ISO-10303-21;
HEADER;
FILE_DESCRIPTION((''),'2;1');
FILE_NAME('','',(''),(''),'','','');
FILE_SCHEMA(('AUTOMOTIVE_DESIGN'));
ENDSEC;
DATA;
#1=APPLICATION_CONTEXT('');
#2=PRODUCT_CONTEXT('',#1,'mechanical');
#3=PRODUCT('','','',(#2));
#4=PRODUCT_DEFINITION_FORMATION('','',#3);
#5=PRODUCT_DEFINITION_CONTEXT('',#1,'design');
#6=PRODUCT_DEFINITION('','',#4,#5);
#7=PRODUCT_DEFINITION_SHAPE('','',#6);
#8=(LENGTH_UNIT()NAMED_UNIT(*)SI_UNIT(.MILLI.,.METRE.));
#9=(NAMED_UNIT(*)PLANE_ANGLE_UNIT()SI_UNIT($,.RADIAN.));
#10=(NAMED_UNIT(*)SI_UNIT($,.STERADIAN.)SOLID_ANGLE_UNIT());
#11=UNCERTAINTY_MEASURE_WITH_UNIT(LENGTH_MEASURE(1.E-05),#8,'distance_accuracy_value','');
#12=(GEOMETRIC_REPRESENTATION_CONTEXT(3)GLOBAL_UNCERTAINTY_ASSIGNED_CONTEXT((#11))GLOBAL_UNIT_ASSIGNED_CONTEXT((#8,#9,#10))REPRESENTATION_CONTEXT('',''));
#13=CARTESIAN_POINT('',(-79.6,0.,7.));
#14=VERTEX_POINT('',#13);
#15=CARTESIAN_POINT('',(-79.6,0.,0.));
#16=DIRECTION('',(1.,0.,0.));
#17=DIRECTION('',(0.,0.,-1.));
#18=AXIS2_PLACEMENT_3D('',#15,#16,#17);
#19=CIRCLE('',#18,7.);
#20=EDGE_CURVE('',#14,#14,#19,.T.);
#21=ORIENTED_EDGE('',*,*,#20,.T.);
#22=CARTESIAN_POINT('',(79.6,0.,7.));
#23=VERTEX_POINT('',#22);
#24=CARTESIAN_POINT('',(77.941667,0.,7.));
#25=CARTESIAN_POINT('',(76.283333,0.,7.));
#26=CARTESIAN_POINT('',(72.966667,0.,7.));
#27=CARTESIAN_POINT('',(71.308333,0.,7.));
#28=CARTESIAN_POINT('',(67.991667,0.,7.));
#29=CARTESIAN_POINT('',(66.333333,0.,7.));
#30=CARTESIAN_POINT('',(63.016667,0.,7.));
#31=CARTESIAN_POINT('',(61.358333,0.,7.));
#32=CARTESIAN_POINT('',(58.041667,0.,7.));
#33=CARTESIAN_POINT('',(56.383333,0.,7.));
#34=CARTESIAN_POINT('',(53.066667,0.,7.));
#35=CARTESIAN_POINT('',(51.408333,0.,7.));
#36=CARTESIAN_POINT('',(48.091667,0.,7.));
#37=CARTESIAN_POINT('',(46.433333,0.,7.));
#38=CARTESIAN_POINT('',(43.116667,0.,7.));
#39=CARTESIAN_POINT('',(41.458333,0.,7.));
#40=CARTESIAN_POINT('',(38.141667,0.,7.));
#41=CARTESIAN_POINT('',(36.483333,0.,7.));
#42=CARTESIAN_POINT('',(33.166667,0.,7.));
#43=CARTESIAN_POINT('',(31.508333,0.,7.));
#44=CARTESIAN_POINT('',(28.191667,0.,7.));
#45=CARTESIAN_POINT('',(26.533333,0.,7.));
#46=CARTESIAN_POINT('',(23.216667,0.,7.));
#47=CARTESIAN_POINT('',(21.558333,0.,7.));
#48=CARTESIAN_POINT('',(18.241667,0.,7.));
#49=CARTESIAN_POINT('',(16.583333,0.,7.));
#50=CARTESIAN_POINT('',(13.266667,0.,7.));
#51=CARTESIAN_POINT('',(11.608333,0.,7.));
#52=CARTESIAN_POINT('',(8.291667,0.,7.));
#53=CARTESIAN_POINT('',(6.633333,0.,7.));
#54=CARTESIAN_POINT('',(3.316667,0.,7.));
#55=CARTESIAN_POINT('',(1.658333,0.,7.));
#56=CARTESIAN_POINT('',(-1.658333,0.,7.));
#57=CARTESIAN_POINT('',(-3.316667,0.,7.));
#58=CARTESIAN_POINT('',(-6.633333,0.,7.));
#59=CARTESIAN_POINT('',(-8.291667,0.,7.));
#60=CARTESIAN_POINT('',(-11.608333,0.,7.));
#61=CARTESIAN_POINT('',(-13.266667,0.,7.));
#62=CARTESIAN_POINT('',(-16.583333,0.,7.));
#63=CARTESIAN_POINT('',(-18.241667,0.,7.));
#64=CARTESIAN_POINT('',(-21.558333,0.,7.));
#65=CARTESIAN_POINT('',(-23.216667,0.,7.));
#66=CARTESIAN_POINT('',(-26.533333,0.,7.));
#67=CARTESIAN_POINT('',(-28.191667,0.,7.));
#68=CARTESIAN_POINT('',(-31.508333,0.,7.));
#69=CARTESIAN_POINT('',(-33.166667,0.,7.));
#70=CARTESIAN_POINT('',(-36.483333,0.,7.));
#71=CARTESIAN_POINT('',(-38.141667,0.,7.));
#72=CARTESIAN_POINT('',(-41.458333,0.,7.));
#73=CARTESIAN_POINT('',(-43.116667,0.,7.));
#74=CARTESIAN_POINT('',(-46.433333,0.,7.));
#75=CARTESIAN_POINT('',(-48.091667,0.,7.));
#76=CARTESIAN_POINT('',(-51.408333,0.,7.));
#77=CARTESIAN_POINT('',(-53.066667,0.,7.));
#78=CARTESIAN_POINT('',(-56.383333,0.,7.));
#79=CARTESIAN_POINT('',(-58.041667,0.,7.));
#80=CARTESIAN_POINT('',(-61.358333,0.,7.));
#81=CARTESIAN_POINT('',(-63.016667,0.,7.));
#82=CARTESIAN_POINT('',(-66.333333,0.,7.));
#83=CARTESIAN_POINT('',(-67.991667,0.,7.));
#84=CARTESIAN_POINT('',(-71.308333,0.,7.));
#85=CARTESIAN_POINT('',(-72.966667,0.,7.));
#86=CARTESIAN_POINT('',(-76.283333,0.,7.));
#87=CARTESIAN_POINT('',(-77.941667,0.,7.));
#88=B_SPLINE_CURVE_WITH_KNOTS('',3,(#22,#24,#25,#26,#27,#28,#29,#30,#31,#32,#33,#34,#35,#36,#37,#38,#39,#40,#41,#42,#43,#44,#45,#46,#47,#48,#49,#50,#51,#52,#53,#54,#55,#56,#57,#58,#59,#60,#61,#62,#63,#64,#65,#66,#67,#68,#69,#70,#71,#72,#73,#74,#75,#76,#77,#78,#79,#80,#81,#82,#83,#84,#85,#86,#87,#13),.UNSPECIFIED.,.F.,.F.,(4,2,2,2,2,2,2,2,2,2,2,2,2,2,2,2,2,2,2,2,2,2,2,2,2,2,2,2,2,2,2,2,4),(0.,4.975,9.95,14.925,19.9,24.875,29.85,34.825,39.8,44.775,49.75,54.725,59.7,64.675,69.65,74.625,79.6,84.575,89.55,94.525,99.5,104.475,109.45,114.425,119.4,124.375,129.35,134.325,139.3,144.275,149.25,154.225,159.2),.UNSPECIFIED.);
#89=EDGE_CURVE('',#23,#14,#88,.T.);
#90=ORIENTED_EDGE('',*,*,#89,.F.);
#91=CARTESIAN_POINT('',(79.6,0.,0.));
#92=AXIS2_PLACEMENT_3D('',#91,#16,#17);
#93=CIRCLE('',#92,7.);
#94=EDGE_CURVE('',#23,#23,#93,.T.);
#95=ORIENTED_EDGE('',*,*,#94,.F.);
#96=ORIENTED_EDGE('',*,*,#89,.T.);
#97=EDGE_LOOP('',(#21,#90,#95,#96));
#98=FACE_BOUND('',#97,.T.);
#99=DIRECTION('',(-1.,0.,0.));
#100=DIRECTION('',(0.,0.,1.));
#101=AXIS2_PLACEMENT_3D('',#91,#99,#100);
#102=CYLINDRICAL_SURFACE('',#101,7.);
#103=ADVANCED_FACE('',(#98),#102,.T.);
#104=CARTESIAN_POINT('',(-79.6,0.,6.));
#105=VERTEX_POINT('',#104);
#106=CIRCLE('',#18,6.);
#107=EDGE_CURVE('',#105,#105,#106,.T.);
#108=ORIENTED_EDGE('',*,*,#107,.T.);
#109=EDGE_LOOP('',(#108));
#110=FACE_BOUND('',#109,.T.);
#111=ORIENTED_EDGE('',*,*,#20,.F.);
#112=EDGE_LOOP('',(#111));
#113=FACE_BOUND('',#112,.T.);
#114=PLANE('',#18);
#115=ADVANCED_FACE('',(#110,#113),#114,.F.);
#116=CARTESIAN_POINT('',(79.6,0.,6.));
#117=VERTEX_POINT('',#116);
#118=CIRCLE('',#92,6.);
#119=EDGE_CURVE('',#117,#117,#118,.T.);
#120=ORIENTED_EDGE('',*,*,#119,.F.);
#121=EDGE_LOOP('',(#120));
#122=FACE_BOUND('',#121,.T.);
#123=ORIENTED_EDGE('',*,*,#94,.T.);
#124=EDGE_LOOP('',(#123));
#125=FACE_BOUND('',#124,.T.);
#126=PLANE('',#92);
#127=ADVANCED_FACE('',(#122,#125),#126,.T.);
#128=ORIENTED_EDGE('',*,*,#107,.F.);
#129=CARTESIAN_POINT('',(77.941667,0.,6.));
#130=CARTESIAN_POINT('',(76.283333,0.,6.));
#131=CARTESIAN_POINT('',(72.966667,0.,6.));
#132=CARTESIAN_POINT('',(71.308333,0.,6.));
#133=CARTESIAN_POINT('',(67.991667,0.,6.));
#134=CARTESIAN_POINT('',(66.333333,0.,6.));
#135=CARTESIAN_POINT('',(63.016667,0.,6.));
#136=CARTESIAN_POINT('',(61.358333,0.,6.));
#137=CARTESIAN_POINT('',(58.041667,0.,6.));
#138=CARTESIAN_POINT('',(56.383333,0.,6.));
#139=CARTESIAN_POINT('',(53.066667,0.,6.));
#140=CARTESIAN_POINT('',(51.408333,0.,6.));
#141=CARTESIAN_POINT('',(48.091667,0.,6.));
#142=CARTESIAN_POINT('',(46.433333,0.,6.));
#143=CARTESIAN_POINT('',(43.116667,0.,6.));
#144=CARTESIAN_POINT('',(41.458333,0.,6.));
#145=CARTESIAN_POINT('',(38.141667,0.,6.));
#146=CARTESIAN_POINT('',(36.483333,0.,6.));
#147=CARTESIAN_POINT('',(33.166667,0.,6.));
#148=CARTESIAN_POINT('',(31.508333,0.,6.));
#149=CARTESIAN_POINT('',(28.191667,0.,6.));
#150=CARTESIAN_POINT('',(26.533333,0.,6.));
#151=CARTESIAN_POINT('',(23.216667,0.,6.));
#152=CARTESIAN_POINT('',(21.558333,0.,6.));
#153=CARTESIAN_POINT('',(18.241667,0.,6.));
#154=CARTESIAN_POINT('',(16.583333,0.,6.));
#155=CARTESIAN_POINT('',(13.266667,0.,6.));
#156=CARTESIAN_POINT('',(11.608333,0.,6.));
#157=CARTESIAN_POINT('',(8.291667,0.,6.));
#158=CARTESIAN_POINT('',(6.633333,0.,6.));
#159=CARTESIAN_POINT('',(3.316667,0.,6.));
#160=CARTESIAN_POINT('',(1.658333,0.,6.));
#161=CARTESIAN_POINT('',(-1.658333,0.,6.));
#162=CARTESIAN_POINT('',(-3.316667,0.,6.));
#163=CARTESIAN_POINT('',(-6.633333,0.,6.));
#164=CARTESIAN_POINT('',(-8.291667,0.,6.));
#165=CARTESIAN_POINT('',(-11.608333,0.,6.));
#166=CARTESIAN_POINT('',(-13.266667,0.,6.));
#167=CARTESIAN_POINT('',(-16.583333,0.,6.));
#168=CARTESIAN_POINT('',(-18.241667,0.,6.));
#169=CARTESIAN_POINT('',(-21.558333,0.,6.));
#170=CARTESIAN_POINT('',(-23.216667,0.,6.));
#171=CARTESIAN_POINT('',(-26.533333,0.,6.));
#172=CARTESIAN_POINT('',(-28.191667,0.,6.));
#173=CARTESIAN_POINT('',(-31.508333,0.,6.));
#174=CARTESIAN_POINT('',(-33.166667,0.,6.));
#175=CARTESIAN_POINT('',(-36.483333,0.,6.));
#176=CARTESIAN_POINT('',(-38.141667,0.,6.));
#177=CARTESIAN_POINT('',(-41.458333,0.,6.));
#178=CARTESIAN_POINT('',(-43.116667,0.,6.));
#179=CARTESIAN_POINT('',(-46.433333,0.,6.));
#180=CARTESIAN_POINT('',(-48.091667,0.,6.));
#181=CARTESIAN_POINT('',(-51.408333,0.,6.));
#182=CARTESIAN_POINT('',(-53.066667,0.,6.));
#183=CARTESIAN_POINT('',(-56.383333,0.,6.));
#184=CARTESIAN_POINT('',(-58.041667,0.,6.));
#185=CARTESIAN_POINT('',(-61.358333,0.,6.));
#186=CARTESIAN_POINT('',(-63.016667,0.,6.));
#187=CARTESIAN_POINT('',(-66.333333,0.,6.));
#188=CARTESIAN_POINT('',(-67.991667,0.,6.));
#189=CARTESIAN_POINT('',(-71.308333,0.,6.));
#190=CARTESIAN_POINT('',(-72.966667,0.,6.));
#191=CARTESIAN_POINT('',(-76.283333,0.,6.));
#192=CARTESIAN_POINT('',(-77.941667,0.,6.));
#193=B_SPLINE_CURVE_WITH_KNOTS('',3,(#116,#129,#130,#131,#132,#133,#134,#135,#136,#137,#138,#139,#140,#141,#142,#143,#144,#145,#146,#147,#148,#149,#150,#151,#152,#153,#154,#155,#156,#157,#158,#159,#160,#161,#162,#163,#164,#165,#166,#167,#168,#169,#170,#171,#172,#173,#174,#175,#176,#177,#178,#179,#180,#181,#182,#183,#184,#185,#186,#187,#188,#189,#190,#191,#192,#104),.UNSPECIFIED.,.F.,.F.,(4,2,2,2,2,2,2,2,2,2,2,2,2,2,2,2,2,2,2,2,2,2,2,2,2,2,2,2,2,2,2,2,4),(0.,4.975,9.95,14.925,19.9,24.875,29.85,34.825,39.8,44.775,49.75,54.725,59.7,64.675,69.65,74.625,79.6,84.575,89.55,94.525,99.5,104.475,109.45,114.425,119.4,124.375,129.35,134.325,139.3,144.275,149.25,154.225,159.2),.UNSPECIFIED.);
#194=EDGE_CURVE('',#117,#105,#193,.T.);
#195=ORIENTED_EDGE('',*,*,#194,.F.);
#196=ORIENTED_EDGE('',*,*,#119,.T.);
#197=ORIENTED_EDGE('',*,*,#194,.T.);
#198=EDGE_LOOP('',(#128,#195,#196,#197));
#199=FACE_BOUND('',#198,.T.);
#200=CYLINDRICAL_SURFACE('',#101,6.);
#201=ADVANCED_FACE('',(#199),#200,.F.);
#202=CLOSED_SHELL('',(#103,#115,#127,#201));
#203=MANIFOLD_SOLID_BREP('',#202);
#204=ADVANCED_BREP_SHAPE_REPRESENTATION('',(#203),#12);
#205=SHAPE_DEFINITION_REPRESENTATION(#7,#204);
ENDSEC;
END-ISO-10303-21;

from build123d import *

# Parameters (mm, degrees)
IZIM1_R                     = 7
IZIM1_R_2                   = 6
Y_KSEKLIK_EKSTR_ZYON1_DEPTH = 79.6


with BuildPart() as part:
    # Çizim1 → Yükseklik-Ekstrüzyon1 (new, symmetric)
    with BuildSketch(Plane(origin=(0, 0, 0), x_dir=(0, 0, -1), z_dir=(1, 0, 0))):
        with Locations(Location((0, 0, 0), (0, 0, 180))):
            Circle(IZIM1_R)
        with Locations(Location((0, 0, 0), (0, 0, 180))):
            Circle(IZIM1_R_2, mode=Mode.SUBTRACT)
    extrude(amount=Y_KSEKLIK_EKSTR_ZYON1_DEPTH, both=True)


solid = part.part
